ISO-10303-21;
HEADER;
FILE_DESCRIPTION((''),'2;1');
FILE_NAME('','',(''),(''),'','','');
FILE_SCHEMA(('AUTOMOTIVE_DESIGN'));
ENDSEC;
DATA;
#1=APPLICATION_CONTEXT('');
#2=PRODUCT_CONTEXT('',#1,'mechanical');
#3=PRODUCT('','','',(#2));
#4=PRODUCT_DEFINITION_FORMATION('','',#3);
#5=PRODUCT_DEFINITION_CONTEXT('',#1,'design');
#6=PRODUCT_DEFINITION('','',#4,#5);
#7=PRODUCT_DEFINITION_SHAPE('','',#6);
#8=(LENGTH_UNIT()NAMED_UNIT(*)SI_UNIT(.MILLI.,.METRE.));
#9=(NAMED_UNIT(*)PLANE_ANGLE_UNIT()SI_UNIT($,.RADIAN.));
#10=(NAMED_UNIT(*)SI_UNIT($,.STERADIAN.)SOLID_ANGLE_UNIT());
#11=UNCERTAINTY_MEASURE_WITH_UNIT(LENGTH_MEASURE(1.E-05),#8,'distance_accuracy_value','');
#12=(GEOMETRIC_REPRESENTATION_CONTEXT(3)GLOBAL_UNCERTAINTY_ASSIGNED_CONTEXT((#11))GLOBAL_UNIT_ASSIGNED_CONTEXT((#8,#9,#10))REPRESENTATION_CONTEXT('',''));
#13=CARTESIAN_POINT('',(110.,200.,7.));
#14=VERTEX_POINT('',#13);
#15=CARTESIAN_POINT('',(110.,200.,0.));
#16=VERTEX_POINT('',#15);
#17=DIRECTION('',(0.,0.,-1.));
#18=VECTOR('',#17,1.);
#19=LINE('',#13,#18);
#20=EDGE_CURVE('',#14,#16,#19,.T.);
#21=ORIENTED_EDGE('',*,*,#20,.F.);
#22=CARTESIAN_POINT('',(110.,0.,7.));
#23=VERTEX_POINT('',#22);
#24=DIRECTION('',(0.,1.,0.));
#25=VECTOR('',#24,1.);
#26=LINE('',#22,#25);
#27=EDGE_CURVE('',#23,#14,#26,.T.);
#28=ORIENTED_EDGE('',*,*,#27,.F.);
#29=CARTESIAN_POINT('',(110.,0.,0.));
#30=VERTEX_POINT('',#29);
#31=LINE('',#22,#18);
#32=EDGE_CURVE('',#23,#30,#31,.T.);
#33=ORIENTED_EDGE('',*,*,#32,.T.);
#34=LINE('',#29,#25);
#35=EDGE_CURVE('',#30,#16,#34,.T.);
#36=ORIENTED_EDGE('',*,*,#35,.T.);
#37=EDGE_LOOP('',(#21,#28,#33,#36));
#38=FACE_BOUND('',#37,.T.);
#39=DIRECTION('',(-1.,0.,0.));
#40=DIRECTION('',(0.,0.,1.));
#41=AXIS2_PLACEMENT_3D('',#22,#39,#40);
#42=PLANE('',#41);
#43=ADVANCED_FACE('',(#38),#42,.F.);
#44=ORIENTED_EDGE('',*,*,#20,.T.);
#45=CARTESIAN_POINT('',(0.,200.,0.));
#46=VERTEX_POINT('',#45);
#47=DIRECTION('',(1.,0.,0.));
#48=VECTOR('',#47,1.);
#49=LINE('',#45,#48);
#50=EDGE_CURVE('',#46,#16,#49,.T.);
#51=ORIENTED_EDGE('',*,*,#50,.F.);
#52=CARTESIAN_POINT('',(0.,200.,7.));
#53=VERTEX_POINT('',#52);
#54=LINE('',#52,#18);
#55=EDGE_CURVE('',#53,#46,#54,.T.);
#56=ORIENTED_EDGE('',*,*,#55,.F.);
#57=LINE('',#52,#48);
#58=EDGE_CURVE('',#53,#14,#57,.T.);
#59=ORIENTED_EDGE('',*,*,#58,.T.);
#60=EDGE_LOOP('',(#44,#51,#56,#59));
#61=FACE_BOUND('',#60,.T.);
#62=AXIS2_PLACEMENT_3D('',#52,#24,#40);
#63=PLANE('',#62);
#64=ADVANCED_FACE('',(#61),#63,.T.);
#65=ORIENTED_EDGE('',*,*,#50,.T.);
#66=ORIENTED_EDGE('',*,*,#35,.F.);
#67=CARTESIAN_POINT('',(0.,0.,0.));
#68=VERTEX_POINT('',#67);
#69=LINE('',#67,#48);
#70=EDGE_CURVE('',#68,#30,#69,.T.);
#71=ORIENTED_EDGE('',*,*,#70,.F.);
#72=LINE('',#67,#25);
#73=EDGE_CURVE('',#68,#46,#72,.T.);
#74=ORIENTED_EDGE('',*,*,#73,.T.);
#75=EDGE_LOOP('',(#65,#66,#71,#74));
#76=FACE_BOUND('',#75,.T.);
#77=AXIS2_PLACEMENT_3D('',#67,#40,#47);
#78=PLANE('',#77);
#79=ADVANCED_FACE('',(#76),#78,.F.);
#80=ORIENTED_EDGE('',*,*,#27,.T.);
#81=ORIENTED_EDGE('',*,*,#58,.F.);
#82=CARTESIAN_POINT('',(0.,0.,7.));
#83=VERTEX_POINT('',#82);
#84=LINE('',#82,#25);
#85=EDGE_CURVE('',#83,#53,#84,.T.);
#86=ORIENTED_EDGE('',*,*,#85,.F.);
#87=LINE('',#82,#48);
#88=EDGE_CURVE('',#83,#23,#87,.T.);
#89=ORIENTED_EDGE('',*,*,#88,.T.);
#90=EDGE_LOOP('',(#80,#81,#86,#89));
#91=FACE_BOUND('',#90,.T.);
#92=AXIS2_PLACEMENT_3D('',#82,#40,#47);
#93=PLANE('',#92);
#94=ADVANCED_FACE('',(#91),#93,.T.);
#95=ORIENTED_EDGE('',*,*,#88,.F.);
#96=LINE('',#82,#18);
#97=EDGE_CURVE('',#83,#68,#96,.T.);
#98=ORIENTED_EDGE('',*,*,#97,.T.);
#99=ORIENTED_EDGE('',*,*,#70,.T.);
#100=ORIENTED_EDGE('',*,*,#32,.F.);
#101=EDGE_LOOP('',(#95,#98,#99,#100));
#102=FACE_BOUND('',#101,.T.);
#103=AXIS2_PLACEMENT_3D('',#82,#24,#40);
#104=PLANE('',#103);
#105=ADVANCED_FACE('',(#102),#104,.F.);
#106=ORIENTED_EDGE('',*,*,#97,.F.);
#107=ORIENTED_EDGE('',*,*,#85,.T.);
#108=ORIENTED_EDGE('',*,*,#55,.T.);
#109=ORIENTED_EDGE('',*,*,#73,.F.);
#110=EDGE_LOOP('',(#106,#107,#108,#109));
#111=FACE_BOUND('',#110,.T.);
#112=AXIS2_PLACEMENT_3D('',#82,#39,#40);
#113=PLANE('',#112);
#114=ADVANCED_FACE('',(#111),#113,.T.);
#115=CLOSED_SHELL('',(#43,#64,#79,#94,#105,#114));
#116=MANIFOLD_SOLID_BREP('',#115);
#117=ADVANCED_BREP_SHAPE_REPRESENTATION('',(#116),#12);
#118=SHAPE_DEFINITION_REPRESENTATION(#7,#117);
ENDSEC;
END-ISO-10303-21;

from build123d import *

# Parameters (mm, degrees)
SKETCH_1_W      = 110
SKETCH_1_H      = 200
EXTRUDE_1_DEPTH = 7


with BuildPart() as part:
    # 草图1 → 凸台-拉伸1 (new body)
    with BuildSketch(Plane.XY):
        with Locations((55, 100)):
            Rectangle(SKETCH_1_W, SKETCH_1_H)
    extrude(amount=EXTRUDE_1_DEPTH)


solid = part.part
